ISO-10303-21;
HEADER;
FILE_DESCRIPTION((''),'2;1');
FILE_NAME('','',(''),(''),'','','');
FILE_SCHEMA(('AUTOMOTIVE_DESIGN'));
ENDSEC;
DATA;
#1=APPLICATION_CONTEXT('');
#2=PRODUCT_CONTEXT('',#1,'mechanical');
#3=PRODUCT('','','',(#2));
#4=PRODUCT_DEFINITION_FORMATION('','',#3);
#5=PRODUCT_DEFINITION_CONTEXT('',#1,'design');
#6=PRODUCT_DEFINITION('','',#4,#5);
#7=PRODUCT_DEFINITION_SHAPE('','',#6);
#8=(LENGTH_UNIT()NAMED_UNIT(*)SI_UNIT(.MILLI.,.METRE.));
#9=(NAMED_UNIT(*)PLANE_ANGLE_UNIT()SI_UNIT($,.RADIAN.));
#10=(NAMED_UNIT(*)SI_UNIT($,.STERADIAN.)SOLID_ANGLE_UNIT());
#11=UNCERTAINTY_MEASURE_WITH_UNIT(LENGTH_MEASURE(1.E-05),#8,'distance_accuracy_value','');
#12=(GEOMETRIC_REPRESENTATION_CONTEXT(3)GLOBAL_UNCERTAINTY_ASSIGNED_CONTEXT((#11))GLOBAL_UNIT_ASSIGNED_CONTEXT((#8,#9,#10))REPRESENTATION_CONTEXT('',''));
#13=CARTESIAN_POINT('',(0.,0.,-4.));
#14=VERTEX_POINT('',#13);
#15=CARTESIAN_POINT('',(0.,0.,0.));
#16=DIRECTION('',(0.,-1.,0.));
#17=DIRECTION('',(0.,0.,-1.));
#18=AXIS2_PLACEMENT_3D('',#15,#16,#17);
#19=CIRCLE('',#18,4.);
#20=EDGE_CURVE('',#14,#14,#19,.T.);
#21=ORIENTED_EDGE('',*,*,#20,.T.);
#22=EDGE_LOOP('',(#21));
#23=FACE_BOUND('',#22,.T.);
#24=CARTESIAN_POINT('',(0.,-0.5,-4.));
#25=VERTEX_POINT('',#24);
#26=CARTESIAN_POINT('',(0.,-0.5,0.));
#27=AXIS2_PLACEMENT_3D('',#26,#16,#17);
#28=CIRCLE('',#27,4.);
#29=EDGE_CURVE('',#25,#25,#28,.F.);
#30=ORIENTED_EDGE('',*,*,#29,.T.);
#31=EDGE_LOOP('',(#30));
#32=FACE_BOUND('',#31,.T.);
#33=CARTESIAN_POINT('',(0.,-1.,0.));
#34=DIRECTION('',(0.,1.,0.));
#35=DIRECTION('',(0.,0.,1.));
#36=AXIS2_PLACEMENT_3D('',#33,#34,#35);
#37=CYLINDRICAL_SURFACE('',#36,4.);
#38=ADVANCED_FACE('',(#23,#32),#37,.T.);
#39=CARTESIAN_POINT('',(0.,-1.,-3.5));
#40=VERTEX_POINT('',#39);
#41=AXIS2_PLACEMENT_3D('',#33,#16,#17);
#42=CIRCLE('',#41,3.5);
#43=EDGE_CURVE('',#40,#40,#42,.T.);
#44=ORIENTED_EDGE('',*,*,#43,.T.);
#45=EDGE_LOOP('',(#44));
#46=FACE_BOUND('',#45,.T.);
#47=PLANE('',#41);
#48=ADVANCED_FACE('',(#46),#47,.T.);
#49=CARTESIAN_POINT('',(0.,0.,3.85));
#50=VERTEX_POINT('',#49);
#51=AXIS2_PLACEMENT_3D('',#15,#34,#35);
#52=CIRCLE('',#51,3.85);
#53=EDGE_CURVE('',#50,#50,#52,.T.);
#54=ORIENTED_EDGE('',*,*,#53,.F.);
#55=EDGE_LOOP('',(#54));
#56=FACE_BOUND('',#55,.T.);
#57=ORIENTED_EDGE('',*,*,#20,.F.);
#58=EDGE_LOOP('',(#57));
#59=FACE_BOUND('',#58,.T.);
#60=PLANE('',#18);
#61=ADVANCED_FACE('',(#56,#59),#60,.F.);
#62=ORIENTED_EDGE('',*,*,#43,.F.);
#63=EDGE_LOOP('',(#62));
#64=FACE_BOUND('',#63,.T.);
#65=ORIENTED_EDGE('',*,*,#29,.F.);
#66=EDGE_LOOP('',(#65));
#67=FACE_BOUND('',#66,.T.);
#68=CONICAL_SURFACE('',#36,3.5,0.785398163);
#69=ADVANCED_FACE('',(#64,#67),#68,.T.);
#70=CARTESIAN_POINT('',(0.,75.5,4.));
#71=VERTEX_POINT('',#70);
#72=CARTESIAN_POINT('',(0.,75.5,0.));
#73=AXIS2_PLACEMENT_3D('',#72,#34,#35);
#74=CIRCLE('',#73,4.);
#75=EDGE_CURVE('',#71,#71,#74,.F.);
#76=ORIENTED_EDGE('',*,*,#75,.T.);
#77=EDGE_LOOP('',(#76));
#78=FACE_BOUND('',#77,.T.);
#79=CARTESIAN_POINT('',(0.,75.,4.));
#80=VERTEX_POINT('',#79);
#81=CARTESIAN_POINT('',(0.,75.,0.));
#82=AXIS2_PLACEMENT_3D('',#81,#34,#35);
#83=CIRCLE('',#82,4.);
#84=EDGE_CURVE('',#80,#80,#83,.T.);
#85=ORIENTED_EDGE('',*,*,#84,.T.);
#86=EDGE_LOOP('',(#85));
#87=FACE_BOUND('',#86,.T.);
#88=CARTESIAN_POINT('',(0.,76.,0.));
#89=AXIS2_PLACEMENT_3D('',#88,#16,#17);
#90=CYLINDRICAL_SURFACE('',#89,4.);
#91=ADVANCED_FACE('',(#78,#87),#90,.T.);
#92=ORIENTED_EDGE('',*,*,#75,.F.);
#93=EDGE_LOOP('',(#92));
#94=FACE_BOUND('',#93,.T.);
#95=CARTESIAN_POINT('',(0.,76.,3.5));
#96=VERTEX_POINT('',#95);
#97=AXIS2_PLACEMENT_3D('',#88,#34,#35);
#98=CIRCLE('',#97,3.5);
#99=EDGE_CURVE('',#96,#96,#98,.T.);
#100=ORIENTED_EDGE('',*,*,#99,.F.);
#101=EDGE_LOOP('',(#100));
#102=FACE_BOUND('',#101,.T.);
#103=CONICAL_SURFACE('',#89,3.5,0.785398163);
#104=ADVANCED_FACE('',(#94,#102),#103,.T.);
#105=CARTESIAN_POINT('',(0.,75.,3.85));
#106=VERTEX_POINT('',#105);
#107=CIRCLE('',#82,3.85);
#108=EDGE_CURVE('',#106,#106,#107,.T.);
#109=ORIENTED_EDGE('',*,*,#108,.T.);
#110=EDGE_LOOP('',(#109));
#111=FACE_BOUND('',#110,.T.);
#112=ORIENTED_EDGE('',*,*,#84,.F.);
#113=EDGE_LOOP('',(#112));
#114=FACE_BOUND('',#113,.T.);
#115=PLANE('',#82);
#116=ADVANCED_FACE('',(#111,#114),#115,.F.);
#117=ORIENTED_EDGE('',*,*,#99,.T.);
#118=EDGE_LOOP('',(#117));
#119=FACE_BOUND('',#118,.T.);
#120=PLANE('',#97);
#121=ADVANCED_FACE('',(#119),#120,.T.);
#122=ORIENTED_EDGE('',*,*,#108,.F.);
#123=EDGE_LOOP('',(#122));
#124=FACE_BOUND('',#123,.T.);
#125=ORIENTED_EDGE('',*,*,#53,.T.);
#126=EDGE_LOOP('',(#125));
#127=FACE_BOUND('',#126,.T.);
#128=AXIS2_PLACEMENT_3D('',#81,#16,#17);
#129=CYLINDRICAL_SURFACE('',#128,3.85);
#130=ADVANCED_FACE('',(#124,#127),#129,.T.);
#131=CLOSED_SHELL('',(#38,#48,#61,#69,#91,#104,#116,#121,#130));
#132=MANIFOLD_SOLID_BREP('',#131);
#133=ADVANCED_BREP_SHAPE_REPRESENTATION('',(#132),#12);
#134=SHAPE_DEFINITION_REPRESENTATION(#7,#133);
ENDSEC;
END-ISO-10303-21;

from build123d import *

# Parameters (mm, degrees)
SKETCH_1_R      = 3.85
EXTRUDE_1_DEPTH = 75
SKETCH_3_R      = 4
EXTRUDE_2_DEPTH = 1
EXTRUDE_START   = 1
SKETCH_4_R      = 4
EXTRUDE_3_DEPTH = 1
CHAMFER_1_SIZE  = 0.5


with BuildPart() as part:
    # 草图1 → 凸台-拉伸1 (new body)
    with BuildSketch(Plane(origin=(0, 0, 0), x_dir=(1, 0, 0), z_dir=(0, 1, 0))):
        with Locations(Location((0, 0, 0), (0, 0, 270))):
            Circle(SKETCH_1_R)
    extrude(amount=EXTRUDE_1_DEPTH)

    # 草图3 → 凸台-拉伸2 (add)
    with BuildSketch(Plane(origin=(0, 75, 0), x_dir=(1, 0, 0), z_dir=(0, 1, 0))):
        with Locations(Location((0, 0, 0), (0, 0, 270))):
            Circle(SKETCH_3_R)
    extrude(amount=EXTRUDE_2_DEPTH)

    # 草图4 → 凸台-拉伸3 (add)
    with BuildSketch(Plane.XZ.offset(EXTRUDE_START)):
        with Locations(Location((0, 0, 0), (0, 0, 90))):
            Circle(SKETCH_4_R)
    extrude(amount=-EXTRUDE_3_DEPTH)

    # 倒角1
    chamfer_1_edges = [part.edges().sort_by_distance(p)[0] for p in [
        (0, -1, -4),
        (0, 76, -4),
    ]]
    chamfer(chamfer_1_edges, length=CHAMFER_1_SIZE)


solid = part.part
